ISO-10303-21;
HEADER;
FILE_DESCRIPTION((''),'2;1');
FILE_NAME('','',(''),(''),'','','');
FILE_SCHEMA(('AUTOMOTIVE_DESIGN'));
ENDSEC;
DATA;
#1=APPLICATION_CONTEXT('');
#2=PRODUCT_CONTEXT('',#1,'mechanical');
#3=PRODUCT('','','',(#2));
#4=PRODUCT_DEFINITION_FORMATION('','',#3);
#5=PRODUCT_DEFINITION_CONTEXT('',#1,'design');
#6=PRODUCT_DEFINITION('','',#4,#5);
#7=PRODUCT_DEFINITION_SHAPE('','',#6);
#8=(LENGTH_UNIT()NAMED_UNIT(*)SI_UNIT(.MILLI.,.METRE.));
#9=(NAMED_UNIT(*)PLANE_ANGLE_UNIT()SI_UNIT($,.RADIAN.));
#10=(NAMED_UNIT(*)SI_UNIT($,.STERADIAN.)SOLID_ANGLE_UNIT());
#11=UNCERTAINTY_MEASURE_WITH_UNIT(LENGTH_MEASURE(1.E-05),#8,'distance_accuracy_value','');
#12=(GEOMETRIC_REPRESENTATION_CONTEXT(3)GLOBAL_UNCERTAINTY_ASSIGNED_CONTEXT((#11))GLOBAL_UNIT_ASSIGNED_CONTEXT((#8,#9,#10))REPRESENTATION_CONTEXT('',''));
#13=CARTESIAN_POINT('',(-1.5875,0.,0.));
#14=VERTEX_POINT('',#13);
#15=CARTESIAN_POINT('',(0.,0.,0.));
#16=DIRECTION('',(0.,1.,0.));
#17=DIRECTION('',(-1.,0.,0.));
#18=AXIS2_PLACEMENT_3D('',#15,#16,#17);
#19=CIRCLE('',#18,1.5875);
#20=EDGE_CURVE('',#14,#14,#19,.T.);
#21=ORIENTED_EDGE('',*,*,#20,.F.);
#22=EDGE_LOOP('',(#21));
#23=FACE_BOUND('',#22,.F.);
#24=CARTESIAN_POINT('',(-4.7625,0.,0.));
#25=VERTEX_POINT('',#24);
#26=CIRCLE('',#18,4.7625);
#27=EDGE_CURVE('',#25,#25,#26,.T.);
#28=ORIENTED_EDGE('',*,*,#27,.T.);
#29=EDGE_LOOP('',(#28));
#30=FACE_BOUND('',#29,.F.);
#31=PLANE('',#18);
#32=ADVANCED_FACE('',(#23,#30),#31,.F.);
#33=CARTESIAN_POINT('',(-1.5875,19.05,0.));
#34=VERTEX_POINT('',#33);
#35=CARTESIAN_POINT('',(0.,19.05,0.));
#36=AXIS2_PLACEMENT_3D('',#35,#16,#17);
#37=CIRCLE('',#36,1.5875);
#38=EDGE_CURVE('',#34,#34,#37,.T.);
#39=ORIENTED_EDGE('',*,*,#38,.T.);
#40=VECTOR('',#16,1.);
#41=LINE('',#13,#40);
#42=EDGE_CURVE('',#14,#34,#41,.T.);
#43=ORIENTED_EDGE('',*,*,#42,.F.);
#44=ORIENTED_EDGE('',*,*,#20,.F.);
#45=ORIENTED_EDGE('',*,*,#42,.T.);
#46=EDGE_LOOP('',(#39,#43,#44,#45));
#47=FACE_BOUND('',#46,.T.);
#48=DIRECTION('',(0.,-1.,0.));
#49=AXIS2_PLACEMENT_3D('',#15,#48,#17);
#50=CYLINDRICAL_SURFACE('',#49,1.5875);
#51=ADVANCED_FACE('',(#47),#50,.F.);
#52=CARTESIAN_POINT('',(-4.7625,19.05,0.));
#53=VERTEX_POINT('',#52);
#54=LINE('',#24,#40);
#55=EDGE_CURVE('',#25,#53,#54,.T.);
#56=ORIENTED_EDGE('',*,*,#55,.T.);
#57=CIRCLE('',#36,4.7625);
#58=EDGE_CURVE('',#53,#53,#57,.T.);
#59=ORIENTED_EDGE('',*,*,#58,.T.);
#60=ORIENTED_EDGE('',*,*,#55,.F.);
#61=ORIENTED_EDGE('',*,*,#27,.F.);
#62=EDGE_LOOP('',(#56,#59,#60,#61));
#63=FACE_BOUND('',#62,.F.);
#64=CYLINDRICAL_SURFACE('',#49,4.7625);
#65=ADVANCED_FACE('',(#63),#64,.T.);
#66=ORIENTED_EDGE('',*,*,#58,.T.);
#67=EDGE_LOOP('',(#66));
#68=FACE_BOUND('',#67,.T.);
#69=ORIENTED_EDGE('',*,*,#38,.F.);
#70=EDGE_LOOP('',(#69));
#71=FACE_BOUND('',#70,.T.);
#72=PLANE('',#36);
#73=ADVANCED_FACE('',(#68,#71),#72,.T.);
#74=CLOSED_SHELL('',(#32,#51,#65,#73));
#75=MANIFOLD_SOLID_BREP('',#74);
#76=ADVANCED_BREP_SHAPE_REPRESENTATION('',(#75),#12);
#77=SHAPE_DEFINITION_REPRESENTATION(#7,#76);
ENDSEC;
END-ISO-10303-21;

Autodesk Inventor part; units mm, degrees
ref_plane "YZ Plane" through (0, 0, 0) normal (1, 0, 0) x (0, 1, 0)
ref_plane "XZ Plane" through (0, 0, 0) normal (0, 1, 0) x (-1, 0, 0)
ref_plane "XY Plane" through (0, 0, 0) normal (0, 0, 1) x (1, 0, 0)
sketch "Sketch1" plane through (0, 0, 0) normal (0, 1, 0) x (-1, 0, 0)
  circle A0 centre (0, 0) radius 1.5875
  circle A1 centre (0, 0) radius 4.7625
  dimension "d0" = 3.175
  dimension "d1" = 9.525
extrude "Extrusion1" add sketch "Sketch1" along normal blind 19.05
properties part number "jetsonspacer" material "PC/ABS Plastic"
